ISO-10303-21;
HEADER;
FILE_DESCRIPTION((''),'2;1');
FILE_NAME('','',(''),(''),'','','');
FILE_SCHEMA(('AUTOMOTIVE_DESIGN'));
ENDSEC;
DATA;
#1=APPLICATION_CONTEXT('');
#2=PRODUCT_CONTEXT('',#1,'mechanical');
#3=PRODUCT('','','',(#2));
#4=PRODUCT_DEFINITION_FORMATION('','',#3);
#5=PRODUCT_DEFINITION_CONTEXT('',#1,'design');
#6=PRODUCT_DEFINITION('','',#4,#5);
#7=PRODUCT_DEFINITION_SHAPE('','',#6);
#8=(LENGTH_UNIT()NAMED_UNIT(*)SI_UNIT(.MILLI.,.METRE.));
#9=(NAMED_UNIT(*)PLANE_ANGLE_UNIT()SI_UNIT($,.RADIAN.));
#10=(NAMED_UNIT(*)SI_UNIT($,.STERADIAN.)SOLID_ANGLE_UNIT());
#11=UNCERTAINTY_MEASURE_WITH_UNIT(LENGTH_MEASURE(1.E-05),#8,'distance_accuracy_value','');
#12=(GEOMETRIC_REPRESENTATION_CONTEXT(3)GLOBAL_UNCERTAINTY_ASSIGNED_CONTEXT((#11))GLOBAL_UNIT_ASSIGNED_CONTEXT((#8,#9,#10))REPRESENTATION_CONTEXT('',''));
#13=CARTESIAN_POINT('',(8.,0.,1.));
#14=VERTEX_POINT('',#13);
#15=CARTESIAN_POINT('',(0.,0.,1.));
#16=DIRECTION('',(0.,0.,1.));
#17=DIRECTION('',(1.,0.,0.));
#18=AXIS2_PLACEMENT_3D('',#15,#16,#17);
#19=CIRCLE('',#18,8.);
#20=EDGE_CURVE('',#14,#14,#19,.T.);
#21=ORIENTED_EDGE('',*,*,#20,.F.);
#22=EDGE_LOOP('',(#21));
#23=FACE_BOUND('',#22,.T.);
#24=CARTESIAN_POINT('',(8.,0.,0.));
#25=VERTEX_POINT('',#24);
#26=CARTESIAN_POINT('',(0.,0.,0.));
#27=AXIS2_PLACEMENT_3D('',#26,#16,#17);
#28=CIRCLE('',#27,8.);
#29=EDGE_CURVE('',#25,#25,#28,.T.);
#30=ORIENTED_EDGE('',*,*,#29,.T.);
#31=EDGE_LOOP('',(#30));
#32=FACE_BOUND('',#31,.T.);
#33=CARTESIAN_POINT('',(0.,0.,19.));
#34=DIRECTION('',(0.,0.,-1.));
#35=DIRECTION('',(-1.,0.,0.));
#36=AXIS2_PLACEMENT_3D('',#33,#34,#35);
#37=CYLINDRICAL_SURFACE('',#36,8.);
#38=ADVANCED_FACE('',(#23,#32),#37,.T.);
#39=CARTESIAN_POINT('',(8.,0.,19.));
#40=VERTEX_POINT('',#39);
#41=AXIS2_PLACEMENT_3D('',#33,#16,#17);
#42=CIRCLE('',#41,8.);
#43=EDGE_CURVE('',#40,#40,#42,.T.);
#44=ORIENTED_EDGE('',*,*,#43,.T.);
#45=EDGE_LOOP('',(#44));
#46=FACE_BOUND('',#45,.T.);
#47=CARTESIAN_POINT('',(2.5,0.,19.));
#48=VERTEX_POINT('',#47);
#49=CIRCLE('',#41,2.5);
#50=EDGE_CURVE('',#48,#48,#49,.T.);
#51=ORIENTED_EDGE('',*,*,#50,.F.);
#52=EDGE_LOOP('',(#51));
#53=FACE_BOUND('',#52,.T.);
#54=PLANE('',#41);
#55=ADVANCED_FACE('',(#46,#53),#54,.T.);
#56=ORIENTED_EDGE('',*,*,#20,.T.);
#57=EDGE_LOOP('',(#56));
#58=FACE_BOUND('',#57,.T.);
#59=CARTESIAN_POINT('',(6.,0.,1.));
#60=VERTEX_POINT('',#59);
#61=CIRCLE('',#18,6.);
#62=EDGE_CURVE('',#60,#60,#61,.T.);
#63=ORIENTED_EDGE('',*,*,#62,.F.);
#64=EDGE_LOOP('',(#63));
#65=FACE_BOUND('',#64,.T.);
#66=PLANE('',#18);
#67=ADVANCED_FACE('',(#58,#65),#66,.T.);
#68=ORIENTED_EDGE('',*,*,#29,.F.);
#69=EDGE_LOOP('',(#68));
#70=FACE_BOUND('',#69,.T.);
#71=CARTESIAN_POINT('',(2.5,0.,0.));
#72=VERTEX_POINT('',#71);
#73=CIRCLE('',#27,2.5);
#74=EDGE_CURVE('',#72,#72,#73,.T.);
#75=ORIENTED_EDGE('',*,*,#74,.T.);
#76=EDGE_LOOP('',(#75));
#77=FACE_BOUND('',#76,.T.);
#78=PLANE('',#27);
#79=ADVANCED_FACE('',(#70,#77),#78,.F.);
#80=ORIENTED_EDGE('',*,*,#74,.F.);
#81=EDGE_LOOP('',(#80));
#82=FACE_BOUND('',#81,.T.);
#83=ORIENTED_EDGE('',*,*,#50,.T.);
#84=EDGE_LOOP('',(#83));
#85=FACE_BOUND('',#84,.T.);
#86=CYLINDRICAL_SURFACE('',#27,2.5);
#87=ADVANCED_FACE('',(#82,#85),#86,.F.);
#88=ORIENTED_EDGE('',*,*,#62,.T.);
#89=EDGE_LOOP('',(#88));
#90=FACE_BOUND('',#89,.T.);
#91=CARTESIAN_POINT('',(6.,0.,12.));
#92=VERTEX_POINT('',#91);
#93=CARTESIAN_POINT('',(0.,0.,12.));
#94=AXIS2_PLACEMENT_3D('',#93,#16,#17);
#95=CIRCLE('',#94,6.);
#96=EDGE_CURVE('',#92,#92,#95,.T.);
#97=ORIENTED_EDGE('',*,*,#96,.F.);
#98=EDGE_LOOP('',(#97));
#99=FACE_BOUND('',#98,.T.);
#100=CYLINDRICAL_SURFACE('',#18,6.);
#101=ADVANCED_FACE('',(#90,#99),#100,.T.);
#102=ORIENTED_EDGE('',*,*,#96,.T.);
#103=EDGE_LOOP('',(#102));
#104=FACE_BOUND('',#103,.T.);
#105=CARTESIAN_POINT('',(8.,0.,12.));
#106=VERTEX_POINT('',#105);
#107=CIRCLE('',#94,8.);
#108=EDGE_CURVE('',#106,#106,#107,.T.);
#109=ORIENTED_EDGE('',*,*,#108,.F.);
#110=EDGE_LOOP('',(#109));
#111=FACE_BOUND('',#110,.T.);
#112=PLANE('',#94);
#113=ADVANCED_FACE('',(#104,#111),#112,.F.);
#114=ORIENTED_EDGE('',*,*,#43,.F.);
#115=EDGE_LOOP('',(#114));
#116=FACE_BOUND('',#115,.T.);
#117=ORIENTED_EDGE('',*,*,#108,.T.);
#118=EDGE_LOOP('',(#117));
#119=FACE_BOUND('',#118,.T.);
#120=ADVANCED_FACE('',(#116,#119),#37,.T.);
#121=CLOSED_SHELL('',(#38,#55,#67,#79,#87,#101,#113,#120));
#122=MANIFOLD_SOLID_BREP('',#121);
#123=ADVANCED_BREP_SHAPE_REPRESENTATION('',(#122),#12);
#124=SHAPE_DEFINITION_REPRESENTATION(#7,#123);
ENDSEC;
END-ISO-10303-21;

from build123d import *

# Parameters (mm, degrees)
SKETCH_1_R          = 8
EXTRUDE_1_DEPTH     = 19
CUT_EXTRUDE_START   = -18
SKETCH_2_R          = 8
SKETCH_2_R_2        = 6
CUT_EXTRUDE_3_DEPTH = 11
SKETCH_3_R          = 2.5
CUT_EXTRUDE_4_DEPTH = 23.113344387


with BuildPart() as part:
    # 草图1 → 凸台-拉伸1 (new body)
    with BuildSketch(Plane.XY):
        Circle(SKETCH_1_R)
    extrude(amount=EXTRUDE_1_DEPTH)

    # 草图2 → 切除-拉伸3 (cut)
    with BuildSketch(Plane.XY.offset(19).offset(CUT_EXTRUDE_START)):
        Circle(SKETCH_2_R)
        Circle(SKETCH_2_R_2, mode=Mode.SUBTRACT)
    extrude(amount=CUT_EXTRUDE_3_DEPTH, mode=Mode.SUBTRACT)

    # 草图3 → 切除-拉伸4 (cut, through all)
    with BuildSketch(Plane.XY.offset(19)):
        Circle(SKETCH_3_R)
    extrude(amount=-CUT_EXTRUDE_4_DEPTH, mode=Mode.SUBTRACT)


solid = part.part
